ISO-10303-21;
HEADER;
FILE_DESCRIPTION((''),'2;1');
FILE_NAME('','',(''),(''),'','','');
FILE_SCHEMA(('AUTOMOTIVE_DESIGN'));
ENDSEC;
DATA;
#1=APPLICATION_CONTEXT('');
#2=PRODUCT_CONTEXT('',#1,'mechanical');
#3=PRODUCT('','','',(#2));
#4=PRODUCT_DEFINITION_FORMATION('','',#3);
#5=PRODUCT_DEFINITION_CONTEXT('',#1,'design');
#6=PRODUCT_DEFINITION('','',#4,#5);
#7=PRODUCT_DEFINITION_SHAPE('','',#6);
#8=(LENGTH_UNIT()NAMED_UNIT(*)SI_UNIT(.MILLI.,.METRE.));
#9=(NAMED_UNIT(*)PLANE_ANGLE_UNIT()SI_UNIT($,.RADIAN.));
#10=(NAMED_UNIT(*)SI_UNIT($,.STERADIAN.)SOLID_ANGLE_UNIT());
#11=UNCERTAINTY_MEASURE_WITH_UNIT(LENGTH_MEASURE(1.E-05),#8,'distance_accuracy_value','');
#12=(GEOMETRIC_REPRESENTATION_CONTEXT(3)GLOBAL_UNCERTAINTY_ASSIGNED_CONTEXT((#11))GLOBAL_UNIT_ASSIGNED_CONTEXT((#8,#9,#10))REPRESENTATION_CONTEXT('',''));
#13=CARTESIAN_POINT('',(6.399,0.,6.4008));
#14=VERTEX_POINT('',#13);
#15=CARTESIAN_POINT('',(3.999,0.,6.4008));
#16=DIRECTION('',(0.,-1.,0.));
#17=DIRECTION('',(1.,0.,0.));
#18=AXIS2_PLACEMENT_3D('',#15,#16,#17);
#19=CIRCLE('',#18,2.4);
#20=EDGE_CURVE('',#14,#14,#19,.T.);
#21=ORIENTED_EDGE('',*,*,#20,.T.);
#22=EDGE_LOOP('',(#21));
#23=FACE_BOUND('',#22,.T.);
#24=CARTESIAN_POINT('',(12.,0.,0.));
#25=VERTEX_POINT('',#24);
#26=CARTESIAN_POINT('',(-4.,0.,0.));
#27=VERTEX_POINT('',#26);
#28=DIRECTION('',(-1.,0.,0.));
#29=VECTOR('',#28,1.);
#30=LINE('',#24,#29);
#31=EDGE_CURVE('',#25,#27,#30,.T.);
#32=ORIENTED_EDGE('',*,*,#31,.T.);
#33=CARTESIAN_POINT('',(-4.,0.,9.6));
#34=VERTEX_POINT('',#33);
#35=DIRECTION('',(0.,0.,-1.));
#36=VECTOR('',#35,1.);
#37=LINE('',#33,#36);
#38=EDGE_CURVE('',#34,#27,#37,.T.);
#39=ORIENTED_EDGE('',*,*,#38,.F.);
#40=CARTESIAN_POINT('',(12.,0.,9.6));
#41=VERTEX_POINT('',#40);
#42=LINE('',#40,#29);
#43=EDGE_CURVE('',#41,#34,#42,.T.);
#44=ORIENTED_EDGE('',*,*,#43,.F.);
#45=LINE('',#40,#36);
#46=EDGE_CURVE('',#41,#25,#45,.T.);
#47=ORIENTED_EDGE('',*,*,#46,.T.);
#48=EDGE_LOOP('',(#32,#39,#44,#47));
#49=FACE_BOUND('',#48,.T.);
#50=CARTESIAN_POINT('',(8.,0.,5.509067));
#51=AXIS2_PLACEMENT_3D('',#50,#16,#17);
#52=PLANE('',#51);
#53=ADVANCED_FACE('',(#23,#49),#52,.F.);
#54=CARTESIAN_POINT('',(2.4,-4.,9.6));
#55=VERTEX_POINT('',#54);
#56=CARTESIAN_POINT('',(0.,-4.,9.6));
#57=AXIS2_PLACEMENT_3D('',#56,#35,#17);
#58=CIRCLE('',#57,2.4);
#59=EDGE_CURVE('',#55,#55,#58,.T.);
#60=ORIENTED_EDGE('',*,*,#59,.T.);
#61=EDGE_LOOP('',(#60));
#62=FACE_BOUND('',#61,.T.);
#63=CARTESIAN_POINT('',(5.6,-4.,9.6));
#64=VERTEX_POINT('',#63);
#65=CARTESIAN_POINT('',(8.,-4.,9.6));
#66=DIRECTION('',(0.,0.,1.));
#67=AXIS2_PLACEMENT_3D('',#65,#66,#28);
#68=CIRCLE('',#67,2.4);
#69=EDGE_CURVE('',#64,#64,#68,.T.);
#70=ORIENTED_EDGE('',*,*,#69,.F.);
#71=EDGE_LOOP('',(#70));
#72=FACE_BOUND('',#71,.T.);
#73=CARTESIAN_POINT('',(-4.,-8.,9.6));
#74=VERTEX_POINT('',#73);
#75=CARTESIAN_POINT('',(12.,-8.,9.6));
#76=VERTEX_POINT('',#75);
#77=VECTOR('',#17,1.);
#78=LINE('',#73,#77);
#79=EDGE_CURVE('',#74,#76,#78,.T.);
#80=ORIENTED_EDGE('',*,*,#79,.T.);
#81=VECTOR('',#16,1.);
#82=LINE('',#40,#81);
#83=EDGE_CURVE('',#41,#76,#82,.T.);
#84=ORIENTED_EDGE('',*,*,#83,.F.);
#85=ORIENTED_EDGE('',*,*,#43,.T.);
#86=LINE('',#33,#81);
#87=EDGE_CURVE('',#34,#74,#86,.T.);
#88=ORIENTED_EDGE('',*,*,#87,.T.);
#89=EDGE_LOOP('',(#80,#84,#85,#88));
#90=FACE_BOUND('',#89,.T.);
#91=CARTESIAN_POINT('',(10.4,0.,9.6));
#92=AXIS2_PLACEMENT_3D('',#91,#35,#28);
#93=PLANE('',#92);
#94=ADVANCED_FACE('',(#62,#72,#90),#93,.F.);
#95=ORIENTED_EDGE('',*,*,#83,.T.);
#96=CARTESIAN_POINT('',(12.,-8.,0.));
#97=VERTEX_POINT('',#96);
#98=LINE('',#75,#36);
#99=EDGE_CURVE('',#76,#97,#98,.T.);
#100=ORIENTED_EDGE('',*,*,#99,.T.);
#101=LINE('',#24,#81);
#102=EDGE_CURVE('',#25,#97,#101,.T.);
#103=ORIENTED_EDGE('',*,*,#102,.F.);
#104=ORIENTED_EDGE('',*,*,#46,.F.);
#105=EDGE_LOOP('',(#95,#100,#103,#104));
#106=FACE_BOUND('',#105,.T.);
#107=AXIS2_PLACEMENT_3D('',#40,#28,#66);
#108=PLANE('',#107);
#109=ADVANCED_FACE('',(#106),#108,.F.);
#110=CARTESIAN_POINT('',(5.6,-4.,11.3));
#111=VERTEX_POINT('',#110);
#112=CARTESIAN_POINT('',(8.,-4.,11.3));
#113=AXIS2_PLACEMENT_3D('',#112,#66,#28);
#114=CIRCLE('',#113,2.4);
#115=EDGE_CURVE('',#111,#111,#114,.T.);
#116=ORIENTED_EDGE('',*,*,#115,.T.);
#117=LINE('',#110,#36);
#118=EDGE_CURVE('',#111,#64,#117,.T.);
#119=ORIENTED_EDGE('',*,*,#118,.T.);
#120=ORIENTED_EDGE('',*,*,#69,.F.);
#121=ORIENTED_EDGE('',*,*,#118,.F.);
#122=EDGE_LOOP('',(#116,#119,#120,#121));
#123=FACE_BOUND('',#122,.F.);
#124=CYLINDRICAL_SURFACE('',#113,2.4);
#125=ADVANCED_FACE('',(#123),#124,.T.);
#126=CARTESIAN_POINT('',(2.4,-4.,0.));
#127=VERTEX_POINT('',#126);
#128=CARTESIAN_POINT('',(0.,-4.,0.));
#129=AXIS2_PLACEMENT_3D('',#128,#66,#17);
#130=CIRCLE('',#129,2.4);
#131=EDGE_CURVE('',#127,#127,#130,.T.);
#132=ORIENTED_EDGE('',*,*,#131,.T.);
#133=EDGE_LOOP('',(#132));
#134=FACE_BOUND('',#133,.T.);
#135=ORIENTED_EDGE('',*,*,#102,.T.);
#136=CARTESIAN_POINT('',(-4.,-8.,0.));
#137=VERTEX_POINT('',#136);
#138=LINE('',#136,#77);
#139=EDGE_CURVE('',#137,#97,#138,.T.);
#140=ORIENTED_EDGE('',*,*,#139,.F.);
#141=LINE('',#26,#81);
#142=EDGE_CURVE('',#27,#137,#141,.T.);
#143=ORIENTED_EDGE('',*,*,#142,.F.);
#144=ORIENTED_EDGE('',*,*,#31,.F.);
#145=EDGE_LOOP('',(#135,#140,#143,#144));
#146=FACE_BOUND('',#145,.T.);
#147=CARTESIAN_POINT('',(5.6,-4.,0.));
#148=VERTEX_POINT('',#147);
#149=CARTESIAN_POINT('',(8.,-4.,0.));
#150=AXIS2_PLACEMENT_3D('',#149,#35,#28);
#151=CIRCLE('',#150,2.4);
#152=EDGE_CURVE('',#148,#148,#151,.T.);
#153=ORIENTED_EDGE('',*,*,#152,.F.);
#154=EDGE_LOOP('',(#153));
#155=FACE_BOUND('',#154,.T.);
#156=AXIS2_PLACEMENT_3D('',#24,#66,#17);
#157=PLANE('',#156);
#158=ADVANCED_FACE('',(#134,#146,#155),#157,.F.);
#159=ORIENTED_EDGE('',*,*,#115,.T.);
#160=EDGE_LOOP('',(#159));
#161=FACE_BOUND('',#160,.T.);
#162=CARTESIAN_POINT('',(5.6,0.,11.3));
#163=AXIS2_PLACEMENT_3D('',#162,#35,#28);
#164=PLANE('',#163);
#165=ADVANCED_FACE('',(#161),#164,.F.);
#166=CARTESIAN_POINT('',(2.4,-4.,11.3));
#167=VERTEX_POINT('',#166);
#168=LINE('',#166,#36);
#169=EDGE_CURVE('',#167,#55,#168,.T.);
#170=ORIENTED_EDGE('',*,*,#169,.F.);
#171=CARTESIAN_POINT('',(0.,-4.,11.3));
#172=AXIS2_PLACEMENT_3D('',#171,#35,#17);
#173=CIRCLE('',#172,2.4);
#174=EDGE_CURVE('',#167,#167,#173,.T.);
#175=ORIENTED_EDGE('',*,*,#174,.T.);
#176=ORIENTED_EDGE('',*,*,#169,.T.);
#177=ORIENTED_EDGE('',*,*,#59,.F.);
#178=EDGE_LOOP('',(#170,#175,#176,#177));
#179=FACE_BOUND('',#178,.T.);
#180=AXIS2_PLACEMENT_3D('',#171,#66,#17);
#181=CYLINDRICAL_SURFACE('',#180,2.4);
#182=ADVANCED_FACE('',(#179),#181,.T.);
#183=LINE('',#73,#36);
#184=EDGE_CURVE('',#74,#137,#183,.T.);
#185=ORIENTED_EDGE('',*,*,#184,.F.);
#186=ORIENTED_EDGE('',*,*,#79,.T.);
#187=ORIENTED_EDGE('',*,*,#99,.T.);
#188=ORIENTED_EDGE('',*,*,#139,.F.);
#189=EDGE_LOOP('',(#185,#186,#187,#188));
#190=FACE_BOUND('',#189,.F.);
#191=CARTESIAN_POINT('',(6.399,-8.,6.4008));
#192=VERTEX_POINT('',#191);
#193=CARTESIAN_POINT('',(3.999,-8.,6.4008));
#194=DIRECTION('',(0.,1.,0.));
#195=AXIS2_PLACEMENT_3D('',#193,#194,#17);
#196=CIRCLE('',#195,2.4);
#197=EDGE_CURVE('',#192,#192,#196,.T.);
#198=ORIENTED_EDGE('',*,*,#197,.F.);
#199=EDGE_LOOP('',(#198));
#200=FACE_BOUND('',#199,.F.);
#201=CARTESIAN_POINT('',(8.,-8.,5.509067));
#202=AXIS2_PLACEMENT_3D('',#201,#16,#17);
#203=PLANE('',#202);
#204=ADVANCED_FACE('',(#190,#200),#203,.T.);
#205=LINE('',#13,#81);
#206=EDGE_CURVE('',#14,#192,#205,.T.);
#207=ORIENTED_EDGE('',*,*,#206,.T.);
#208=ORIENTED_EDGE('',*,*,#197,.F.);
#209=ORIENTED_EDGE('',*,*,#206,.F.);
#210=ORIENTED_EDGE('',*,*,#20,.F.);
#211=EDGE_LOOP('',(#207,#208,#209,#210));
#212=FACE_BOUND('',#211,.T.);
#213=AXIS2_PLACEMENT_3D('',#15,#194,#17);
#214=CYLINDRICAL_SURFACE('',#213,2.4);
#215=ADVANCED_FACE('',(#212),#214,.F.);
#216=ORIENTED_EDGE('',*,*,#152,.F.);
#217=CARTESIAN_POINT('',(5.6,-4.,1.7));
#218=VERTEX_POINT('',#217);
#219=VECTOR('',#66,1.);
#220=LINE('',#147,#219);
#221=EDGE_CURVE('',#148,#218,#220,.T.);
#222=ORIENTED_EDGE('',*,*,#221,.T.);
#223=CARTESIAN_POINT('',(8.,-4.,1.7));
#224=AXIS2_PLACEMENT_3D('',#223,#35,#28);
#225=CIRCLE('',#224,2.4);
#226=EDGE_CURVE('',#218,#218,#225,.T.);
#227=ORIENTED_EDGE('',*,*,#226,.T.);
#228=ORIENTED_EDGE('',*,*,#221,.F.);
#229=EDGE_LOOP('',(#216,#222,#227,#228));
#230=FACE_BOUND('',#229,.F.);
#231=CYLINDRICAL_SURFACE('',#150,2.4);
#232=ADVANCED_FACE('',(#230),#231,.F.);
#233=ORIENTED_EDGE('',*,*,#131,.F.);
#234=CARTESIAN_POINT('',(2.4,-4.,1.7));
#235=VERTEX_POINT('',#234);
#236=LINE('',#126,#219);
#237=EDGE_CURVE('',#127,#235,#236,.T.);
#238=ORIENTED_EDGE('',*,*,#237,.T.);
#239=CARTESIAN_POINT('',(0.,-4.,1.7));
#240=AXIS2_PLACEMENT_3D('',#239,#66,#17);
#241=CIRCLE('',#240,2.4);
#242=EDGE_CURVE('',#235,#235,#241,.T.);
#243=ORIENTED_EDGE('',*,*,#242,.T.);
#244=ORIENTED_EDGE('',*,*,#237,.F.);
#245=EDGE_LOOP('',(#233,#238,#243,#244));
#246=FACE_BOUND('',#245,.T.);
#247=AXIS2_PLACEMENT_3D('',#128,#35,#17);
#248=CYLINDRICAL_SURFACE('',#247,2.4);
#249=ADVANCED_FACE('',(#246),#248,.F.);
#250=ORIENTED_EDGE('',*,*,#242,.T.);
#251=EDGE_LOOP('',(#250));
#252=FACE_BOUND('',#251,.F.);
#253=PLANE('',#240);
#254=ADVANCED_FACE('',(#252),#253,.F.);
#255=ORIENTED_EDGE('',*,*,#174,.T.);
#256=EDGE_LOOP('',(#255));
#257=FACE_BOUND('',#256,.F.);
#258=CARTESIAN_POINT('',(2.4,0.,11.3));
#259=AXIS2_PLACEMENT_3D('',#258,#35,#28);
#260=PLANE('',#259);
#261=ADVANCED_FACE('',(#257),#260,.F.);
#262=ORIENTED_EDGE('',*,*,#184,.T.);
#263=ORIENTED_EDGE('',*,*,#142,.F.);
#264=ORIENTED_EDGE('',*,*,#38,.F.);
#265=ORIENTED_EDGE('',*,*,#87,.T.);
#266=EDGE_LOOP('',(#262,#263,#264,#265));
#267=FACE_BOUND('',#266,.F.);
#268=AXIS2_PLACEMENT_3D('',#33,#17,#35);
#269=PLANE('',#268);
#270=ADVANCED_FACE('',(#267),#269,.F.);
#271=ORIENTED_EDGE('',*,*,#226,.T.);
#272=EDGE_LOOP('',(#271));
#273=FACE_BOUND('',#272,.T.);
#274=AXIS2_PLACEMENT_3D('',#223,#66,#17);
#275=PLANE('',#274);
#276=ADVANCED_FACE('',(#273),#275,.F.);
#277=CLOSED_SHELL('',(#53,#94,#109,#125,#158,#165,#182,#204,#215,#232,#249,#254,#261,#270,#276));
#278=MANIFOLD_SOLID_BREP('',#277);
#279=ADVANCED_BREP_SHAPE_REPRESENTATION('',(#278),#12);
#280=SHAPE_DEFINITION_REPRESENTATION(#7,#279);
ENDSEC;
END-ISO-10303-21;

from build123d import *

# Parameters (mm, degrees)
F1_DEPTH  = 8
F3_W      = 8
F3_H      = 8
F3_R      = 2.4
F4_DEPTH  = 1.7
F5_R      = 2.4
F6_DEPTH  = 1.7
F9_R      = 2.4
F10_DEPTH = 25.4


with BuildPart() as f1:
    # F0 (on Front) → F1 (new body)
    with BuildSketch(Plane.XZ):
        Polygon((-2.4, 9.6), (-4, 9.6), (-4, 0), (4, 0), (4, 9.6), (2.4, 9.6), (2.4, 11.3), (-2.4, 11.3), align=None)
    extrude(amount=F1_DEPTH)

    # F3 (on plane+point) → F4 (cut, through all)
    with BuildSketch(Plane.XY.offset(11.3)):
        with Locations((0, -4)):
            Rectangle(F3_W, F3_H)
        with Locations((0, -4)):
            Circle(F3_R, mode=Mode.SUBTRACT)
    extrude(amount=-F4_DEPTH, mode=Mode.SUBTRACT)

    # F5 (on Top) → F6 (cut)
    with BuildSketch(Plane.XY):
        with Locations((0, -4)):
            Circle(F5_R)
    extrude(amount=F6_DEPTH, mode=Mode.SUBTRACT)

    # F8: F1 across plane


with BuildPart() as f1_1:
    add(f1.part)
    add(f1.part.mirror(Plane.YZ.offset(4)))

    # F9 (on Front) → F10 (cut)
    with BuildSketch(Plane.XZ):
        with Locations((3.999, 6.4008)):
            Circle(F9_R)
    extrude(amount=F10_DEPTH, mode=Mode.SUBTRACT)


solid = f1_1.part
